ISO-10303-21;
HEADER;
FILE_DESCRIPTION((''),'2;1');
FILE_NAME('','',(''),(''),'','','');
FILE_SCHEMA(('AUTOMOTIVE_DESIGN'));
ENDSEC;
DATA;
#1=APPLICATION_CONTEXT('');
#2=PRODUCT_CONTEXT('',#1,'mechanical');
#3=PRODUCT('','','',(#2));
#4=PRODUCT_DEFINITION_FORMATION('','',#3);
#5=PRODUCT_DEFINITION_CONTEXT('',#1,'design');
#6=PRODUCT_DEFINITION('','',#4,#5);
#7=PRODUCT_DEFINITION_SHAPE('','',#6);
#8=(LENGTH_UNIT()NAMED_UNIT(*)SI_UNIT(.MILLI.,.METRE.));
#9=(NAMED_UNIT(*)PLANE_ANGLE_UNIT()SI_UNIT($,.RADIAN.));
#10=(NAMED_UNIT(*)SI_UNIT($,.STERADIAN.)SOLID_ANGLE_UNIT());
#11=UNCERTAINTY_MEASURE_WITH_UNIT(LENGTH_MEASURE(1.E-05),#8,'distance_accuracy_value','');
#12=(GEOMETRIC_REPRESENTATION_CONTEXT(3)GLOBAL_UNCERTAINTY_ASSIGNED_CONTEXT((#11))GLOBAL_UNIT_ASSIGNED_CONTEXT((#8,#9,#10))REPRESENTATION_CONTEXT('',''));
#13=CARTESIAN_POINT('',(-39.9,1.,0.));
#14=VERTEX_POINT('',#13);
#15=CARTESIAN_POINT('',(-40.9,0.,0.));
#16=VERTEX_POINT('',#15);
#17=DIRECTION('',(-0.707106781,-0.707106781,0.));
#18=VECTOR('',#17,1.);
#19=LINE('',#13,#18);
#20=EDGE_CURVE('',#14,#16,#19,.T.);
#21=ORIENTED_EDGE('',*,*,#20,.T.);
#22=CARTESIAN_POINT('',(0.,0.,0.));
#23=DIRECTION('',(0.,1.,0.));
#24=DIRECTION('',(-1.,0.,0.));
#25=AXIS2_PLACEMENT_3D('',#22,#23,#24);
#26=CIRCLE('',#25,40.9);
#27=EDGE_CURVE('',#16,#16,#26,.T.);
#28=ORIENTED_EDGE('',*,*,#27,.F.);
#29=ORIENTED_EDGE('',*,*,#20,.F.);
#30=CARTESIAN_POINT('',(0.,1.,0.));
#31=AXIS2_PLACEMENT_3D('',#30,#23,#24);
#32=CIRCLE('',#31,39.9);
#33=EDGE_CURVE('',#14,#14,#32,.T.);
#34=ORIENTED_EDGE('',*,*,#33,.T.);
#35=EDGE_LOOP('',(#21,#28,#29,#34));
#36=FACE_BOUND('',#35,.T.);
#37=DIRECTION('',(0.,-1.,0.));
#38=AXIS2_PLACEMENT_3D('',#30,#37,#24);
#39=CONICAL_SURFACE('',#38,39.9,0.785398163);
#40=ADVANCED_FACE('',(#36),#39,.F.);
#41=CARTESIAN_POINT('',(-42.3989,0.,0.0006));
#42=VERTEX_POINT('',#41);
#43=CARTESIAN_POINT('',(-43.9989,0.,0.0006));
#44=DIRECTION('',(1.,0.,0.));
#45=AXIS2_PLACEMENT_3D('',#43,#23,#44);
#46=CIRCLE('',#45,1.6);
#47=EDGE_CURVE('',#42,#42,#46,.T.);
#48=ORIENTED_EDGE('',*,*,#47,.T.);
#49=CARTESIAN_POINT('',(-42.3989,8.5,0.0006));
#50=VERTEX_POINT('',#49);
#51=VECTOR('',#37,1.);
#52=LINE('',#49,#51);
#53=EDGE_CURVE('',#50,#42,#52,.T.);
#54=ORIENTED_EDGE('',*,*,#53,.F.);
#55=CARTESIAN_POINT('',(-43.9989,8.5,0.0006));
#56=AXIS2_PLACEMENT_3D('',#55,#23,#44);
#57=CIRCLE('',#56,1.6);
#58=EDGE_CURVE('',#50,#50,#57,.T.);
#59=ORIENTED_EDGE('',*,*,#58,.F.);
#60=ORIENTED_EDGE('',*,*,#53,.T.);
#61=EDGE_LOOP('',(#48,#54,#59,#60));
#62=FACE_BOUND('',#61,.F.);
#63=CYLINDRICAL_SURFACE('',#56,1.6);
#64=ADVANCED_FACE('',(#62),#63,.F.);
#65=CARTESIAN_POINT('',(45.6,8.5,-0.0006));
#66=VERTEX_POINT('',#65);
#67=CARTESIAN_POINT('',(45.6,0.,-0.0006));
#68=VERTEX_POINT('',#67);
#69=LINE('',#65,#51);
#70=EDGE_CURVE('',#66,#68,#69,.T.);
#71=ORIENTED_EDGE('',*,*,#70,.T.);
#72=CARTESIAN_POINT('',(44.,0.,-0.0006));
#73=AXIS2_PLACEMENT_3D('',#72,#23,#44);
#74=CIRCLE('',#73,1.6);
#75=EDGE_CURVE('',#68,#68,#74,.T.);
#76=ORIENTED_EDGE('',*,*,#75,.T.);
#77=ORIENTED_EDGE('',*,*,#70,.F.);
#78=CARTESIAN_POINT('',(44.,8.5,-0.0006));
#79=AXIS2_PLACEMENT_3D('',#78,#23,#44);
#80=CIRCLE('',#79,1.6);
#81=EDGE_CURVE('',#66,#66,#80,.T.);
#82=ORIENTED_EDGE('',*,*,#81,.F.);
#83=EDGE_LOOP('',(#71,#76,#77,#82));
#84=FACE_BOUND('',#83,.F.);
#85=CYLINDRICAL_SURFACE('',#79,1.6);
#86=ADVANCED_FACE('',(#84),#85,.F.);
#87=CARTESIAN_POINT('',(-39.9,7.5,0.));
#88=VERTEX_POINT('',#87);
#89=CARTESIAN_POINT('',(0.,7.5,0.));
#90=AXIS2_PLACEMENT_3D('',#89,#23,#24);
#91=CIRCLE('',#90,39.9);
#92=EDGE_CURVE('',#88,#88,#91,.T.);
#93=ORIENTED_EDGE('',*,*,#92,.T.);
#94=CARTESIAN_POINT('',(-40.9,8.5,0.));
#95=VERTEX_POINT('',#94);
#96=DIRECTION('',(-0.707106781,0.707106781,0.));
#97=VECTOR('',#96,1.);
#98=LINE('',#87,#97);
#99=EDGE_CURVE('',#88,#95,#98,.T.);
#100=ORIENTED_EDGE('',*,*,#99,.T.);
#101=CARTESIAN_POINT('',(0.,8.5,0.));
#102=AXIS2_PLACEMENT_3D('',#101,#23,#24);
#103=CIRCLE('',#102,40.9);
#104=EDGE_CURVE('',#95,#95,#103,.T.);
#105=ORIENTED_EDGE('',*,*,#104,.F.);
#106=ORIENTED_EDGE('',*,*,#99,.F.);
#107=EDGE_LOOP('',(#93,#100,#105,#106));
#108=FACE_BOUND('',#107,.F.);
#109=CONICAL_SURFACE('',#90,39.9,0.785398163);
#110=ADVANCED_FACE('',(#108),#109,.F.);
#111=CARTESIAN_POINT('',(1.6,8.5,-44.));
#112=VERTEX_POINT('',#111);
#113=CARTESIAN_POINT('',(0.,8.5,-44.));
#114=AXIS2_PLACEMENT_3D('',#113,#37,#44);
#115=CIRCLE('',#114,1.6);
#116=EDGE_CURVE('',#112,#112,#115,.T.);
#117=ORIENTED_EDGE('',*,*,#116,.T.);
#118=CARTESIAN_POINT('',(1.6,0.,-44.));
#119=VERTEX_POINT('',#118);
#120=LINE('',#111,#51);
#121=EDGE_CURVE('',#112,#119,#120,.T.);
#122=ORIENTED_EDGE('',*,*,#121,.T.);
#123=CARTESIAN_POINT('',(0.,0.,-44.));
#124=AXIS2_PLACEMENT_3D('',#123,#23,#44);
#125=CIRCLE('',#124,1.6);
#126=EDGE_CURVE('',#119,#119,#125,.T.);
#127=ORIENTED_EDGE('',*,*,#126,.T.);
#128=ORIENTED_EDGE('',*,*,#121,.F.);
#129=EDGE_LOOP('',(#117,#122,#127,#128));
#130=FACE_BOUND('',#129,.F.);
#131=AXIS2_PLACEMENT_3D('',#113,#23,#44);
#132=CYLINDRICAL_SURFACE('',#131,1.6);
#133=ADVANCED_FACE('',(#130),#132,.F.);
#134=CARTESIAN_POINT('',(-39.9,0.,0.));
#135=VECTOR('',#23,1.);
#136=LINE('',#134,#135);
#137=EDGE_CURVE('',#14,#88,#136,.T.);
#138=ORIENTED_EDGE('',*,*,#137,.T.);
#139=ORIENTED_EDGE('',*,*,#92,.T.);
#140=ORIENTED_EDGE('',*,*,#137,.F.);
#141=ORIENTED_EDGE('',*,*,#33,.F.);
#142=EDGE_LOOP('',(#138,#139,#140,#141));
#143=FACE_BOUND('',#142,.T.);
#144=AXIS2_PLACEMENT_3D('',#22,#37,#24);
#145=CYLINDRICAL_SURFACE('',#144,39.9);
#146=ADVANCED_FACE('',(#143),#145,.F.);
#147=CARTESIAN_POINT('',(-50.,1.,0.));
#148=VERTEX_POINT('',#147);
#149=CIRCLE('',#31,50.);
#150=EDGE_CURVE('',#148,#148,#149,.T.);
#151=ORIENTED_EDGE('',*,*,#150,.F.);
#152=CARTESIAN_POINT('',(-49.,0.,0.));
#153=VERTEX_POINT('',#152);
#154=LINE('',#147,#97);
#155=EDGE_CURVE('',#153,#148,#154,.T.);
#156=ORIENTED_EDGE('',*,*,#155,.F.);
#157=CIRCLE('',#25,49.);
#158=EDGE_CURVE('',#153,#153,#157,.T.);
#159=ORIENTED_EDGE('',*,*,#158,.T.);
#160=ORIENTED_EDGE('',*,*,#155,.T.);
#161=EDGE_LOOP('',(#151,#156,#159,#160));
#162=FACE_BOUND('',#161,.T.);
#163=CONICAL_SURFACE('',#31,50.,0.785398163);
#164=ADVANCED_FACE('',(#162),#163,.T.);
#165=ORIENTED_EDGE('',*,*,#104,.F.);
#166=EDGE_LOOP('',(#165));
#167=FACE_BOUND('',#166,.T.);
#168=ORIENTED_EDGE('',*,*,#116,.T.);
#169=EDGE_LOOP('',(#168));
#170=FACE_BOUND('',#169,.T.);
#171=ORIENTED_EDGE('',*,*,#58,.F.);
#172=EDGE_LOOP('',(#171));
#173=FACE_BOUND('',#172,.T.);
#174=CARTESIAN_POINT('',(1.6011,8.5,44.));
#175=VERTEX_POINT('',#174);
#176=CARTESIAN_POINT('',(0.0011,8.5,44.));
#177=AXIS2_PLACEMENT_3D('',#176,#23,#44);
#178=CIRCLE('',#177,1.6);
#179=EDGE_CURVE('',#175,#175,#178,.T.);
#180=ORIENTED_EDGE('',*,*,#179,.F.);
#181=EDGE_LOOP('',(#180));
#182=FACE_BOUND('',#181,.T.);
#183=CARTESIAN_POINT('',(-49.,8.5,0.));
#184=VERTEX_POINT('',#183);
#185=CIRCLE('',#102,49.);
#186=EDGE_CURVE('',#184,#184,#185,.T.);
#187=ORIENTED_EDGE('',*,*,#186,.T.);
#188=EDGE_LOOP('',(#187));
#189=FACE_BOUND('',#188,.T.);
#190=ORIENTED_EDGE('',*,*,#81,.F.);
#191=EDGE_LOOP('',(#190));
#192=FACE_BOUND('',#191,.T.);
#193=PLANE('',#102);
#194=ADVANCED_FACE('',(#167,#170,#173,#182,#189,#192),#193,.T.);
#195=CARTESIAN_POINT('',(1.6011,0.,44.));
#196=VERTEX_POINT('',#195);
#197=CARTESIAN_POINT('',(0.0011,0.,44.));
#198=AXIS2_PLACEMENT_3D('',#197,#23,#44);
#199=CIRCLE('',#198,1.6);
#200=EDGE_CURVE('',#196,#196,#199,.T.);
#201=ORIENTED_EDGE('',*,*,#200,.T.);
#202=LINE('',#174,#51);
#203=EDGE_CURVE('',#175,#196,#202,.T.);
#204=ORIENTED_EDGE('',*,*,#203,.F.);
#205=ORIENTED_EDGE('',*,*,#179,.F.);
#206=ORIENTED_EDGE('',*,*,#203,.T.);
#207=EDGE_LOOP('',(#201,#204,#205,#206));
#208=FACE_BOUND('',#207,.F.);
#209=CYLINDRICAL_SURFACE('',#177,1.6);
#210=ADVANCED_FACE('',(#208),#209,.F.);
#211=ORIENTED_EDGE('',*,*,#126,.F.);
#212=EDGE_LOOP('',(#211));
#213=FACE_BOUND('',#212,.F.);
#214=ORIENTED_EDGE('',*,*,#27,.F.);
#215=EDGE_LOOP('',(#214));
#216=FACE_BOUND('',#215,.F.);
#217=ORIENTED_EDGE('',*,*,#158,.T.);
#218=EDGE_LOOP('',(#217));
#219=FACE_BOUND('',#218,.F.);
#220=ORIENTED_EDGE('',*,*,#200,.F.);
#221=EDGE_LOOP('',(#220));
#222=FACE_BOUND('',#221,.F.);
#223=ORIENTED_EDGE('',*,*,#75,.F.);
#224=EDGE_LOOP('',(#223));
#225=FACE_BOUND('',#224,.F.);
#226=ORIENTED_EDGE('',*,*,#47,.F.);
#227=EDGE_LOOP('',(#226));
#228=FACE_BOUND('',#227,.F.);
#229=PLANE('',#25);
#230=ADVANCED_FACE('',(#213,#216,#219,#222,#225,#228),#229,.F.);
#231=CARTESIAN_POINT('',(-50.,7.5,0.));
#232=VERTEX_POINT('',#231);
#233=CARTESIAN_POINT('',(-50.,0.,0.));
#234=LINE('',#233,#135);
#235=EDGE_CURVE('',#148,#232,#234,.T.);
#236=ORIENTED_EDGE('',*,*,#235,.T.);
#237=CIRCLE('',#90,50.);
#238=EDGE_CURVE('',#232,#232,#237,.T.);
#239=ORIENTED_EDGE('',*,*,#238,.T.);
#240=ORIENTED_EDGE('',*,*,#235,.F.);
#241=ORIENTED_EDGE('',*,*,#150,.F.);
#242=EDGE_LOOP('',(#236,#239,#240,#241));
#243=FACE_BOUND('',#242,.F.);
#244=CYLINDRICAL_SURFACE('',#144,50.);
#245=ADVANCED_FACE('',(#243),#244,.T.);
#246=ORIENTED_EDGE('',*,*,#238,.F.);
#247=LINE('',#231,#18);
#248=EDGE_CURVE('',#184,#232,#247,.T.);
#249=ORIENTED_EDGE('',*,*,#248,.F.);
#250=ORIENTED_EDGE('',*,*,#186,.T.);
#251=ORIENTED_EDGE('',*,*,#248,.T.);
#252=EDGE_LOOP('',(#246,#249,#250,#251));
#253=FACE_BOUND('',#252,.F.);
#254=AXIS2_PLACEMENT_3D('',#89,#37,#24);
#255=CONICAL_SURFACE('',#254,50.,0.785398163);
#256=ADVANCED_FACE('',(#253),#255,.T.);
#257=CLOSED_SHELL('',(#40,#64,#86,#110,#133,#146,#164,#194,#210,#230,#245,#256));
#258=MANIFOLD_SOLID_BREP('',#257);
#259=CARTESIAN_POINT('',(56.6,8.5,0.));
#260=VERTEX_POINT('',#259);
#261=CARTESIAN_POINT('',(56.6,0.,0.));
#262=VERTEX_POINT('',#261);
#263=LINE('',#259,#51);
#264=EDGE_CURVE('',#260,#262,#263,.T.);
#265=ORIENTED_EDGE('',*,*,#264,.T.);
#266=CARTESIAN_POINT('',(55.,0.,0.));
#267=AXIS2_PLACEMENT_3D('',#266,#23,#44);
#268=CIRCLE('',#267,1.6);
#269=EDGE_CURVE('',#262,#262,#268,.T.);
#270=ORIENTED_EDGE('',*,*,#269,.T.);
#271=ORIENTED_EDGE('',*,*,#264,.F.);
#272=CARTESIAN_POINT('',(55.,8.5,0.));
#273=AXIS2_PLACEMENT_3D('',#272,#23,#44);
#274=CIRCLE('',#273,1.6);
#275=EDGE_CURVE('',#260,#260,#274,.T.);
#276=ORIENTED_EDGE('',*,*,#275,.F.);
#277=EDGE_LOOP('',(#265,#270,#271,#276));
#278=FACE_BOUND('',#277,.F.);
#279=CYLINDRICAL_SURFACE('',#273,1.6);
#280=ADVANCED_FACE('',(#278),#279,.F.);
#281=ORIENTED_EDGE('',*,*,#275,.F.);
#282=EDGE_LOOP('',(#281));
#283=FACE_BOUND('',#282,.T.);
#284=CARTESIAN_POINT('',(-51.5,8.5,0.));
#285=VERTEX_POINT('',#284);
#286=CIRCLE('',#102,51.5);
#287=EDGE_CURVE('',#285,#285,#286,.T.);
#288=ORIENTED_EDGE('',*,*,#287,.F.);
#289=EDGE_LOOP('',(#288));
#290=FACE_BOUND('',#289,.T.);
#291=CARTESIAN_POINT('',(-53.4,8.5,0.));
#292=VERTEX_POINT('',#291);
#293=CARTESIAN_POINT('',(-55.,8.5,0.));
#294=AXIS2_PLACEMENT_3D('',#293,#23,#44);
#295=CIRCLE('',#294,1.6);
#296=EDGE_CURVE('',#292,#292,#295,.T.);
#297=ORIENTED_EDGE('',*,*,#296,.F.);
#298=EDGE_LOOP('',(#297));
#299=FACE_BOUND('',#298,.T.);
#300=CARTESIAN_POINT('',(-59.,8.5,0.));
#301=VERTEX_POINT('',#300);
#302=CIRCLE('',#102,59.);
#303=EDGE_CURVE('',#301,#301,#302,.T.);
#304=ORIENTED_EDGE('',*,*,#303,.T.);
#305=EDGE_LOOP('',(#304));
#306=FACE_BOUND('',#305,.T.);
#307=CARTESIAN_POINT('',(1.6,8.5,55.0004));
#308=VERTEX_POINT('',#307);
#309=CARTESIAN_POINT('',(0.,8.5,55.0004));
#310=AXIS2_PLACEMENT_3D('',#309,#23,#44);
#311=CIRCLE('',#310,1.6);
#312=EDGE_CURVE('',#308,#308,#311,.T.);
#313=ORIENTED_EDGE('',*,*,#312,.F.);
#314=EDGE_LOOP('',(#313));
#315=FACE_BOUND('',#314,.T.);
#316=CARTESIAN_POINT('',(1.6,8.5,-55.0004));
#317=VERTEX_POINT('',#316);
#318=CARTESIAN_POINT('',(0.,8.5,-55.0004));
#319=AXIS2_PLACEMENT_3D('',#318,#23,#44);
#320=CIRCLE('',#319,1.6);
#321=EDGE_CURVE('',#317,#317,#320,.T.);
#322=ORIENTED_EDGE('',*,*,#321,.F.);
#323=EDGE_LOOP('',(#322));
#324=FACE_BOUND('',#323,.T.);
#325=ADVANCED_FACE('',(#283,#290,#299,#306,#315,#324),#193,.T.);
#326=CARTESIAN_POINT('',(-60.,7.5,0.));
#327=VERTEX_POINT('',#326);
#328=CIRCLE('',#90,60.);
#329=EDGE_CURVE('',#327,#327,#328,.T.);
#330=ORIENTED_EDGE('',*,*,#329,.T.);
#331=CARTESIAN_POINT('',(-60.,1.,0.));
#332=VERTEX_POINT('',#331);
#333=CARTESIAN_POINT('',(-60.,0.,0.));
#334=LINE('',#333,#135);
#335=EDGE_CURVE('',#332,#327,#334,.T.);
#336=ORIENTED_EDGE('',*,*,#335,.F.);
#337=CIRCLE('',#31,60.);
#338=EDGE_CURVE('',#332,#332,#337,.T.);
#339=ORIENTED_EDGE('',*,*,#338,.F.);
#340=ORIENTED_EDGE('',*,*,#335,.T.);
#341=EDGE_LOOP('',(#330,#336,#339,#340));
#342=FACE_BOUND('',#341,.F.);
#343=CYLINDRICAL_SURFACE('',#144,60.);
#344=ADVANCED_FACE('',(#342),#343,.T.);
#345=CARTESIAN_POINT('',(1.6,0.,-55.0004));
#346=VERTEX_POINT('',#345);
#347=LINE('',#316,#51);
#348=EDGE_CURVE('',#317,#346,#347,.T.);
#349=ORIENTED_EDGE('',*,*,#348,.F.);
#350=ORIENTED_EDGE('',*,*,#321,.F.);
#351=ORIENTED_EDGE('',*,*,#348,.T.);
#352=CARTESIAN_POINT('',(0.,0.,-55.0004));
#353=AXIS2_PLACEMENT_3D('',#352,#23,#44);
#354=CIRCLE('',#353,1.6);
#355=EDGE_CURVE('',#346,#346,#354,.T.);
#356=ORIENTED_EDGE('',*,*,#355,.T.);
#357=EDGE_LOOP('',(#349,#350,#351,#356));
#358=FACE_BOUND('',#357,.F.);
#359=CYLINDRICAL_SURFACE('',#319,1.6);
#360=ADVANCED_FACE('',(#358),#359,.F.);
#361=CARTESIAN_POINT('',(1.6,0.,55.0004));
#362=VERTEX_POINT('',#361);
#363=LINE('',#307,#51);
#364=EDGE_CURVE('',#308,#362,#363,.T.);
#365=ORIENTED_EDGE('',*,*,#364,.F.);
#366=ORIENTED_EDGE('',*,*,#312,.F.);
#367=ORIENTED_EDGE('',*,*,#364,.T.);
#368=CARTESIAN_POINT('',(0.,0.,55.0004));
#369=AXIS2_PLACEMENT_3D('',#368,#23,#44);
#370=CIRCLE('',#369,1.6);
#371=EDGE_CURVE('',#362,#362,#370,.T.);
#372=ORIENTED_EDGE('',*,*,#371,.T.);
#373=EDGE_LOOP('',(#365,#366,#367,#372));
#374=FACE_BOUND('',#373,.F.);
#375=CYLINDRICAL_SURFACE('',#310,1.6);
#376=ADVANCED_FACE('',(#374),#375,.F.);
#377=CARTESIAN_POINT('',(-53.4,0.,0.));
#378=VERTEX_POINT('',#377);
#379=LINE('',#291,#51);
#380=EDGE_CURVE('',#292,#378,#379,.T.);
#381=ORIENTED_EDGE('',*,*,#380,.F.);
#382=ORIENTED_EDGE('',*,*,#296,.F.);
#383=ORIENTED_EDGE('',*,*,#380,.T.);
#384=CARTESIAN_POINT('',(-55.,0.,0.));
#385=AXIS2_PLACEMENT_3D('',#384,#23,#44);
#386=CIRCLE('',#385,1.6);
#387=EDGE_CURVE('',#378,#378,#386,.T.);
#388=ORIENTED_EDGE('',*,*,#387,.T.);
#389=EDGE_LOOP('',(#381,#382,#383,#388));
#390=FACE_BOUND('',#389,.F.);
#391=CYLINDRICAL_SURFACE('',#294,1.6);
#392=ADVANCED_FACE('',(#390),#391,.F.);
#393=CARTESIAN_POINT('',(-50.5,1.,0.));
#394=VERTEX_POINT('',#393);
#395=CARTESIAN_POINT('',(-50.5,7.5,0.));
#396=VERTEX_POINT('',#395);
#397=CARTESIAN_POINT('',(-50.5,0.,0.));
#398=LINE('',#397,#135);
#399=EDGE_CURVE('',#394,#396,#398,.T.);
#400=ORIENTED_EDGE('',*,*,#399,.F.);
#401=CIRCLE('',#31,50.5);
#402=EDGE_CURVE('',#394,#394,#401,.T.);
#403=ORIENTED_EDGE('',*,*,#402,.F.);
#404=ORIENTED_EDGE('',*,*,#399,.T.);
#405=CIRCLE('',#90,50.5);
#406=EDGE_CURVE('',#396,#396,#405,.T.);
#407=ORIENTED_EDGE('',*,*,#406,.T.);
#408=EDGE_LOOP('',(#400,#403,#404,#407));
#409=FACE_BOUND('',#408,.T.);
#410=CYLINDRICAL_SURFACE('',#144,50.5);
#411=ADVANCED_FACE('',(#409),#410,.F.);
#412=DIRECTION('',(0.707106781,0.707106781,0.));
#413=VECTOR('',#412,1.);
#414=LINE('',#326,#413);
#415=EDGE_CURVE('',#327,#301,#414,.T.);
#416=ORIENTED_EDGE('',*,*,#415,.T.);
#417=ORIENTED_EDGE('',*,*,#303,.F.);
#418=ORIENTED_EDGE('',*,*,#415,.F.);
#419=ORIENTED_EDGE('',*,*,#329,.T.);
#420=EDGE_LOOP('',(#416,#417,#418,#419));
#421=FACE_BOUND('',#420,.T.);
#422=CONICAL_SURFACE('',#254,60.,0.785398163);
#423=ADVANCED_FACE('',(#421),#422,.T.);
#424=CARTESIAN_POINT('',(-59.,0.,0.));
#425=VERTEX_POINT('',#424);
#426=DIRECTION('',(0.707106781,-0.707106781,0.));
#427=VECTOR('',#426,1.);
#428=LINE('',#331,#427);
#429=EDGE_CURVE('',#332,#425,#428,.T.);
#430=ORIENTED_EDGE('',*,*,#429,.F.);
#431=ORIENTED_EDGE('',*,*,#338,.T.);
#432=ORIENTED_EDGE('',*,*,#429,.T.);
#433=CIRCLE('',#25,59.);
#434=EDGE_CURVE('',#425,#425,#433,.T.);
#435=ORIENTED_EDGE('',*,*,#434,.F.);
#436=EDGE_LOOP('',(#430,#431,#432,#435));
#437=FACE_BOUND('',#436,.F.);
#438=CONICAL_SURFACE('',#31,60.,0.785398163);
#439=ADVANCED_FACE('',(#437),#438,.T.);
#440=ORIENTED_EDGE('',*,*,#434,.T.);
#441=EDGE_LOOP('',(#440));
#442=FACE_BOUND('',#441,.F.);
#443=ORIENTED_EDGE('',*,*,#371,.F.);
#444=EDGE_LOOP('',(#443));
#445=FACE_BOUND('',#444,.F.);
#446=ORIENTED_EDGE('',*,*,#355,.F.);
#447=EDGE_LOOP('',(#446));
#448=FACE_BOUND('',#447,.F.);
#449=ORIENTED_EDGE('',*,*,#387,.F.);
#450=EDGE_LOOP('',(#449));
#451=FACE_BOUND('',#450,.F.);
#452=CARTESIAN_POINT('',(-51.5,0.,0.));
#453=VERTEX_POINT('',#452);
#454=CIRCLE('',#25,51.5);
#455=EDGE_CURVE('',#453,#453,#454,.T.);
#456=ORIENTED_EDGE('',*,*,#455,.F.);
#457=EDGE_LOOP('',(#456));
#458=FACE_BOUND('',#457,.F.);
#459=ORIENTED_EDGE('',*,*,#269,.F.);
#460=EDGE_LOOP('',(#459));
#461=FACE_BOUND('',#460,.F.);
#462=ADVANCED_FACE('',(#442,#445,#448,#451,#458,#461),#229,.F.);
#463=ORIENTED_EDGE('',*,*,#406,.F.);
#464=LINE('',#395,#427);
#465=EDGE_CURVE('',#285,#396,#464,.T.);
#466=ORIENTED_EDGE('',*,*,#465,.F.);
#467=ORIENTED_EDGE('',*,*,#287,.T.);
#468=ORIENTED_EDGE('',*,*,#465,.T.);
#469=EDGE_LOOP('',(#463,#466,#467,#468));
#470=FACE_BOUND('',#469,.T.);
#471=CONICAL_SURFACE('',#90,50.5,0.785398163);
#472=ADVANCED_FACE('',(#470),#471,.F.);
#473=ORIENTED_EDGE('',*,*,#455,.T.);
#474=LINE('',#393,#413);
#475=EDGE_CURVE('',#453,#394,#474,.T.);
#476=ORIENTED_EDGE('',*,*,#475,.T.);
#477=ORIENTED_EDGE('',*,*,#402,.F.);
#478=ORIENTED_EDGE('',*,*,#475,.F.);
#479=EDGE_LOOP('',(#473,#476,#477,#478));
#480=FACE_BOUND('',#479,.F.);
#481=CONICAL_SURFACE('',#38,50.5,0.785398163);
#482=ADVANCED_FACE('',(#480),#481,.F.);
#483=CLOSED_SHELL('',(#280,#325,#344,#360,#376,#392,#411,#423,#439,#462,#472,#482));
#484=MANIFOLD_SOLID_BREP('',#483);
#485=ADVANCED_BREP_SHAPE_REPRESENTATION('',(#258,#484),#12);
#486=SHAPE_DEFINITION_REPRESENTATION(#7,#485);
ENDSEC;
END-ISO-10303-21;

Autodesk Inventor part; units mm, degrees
ref_plane "YZ Plane" through (0, 0, 0) normal (1, 0, 0) x (0, 1, 0)
ref_plane "XZ Plane" through (0, 0, 0) normal (0, 1, 0) x (-1, 0, 0)
ref_plane "XY Plane" through (0, 0, 0) normal (0, 0, 1) x (1, 0, 0)
sketch "Sketch1" plane through (0, 0, 0) normal (0, 1, 0) x (-1, 0, 0)
  circle A0 centre (0, 0) radius 39.9
  circle A1 centre (0, 0) radius 50
  circle A2 centre (0, 0) radius 60
  circle A3 centre (0, 0) radius 50.5
  dimension "d0" = 79.8
  dimension "d1" = 100
  dimension "d2" = 120
  dimension "d3" = 101
extrude "Extrusion1" add sketch "Sketch1" along normal blind 8.5
chamfer "Chamfer1" distance 1 angle 45 4 edges at (60, 8.5, 0) (60, 0, 0) (39.9, 8.5, 0) (39.9, 0, 0)
chamfer "Chamfer2" distance 1 angle 45 4 edges at (50.5, 8.5, 0) (50, 8.5, 0) (50.5, 0, 0) (50, 0, 0)
sketch "Sketch2" plane through (0, 8.5, 0) normal (0, 1, 0) x (1, 0, 0)
  circle A0 centre (0, 55.0004) radius 1.6
  circle A1 centre (-55, 0) radius 1.6
  circle A2 centre (0, -55.0004) radius 1.6
  circle A3 centre (55, 0) radius 1.6
  circle A4 centre (0, 0) radius 59 projected
  circle A5 centre (0, 0) radius 51.5 projected
  dimension "d12" = 3.2
  dimension "d13" = 3.2
  dimension "d14" = 3.2
  dimension "d15" = 3.2
  dimension "d16" = 77.782
  dimension "d17" = 77.782
  dimension "d18" = 77.782
  dimension "d19" = 77.782
  dimension "d20" = 0
  dimension "d21" = 0
  dimension "d22" = 0
  dimension "d25" = 55
extrude "Extrusion2" cut sketch "Sketch2" against normal up to surface (8.5 mm away) contours A0 | A1 | A2 | A3
sketch "Sketch3" plane through (0, 8.5, 0) normal (0, 1, 0) x (1, 0, 0)
  circle A0 centre (44, 0.0006) radius 1.6
  circle A1 centre (0, 44) radius 1.6
  circle A2 centre (-43.9989, -0.0006) radius 1.6
  circle A3 centre (0.0011, -44) radius 1.6
  circle A4 centre (0, 55.0004) radius 1.6 projected
  line L0 (0, 0) -> (0, 55.0004)
  dimension "d26" = 3.2
  dimension "d27" = 3.2
  dimension "d28" = 3.2
  dimension "d29" = 3.2
  dimension "d30" = 62.225
  dimension "d31" = 62.225
  dimension "d32" = 62.225
  dimension "d33" = 62.225
  dimension "d34" = 44
  dimension "d35" = 44
  dimension "d36" = 44
extrude "Extrusion3" cut sketch "Sketch3" against normal up to surface (8.5 mm away) contours A0 | A1 L0 | L0 A1 | A2 | A3
properties part number "lazy_susan"
